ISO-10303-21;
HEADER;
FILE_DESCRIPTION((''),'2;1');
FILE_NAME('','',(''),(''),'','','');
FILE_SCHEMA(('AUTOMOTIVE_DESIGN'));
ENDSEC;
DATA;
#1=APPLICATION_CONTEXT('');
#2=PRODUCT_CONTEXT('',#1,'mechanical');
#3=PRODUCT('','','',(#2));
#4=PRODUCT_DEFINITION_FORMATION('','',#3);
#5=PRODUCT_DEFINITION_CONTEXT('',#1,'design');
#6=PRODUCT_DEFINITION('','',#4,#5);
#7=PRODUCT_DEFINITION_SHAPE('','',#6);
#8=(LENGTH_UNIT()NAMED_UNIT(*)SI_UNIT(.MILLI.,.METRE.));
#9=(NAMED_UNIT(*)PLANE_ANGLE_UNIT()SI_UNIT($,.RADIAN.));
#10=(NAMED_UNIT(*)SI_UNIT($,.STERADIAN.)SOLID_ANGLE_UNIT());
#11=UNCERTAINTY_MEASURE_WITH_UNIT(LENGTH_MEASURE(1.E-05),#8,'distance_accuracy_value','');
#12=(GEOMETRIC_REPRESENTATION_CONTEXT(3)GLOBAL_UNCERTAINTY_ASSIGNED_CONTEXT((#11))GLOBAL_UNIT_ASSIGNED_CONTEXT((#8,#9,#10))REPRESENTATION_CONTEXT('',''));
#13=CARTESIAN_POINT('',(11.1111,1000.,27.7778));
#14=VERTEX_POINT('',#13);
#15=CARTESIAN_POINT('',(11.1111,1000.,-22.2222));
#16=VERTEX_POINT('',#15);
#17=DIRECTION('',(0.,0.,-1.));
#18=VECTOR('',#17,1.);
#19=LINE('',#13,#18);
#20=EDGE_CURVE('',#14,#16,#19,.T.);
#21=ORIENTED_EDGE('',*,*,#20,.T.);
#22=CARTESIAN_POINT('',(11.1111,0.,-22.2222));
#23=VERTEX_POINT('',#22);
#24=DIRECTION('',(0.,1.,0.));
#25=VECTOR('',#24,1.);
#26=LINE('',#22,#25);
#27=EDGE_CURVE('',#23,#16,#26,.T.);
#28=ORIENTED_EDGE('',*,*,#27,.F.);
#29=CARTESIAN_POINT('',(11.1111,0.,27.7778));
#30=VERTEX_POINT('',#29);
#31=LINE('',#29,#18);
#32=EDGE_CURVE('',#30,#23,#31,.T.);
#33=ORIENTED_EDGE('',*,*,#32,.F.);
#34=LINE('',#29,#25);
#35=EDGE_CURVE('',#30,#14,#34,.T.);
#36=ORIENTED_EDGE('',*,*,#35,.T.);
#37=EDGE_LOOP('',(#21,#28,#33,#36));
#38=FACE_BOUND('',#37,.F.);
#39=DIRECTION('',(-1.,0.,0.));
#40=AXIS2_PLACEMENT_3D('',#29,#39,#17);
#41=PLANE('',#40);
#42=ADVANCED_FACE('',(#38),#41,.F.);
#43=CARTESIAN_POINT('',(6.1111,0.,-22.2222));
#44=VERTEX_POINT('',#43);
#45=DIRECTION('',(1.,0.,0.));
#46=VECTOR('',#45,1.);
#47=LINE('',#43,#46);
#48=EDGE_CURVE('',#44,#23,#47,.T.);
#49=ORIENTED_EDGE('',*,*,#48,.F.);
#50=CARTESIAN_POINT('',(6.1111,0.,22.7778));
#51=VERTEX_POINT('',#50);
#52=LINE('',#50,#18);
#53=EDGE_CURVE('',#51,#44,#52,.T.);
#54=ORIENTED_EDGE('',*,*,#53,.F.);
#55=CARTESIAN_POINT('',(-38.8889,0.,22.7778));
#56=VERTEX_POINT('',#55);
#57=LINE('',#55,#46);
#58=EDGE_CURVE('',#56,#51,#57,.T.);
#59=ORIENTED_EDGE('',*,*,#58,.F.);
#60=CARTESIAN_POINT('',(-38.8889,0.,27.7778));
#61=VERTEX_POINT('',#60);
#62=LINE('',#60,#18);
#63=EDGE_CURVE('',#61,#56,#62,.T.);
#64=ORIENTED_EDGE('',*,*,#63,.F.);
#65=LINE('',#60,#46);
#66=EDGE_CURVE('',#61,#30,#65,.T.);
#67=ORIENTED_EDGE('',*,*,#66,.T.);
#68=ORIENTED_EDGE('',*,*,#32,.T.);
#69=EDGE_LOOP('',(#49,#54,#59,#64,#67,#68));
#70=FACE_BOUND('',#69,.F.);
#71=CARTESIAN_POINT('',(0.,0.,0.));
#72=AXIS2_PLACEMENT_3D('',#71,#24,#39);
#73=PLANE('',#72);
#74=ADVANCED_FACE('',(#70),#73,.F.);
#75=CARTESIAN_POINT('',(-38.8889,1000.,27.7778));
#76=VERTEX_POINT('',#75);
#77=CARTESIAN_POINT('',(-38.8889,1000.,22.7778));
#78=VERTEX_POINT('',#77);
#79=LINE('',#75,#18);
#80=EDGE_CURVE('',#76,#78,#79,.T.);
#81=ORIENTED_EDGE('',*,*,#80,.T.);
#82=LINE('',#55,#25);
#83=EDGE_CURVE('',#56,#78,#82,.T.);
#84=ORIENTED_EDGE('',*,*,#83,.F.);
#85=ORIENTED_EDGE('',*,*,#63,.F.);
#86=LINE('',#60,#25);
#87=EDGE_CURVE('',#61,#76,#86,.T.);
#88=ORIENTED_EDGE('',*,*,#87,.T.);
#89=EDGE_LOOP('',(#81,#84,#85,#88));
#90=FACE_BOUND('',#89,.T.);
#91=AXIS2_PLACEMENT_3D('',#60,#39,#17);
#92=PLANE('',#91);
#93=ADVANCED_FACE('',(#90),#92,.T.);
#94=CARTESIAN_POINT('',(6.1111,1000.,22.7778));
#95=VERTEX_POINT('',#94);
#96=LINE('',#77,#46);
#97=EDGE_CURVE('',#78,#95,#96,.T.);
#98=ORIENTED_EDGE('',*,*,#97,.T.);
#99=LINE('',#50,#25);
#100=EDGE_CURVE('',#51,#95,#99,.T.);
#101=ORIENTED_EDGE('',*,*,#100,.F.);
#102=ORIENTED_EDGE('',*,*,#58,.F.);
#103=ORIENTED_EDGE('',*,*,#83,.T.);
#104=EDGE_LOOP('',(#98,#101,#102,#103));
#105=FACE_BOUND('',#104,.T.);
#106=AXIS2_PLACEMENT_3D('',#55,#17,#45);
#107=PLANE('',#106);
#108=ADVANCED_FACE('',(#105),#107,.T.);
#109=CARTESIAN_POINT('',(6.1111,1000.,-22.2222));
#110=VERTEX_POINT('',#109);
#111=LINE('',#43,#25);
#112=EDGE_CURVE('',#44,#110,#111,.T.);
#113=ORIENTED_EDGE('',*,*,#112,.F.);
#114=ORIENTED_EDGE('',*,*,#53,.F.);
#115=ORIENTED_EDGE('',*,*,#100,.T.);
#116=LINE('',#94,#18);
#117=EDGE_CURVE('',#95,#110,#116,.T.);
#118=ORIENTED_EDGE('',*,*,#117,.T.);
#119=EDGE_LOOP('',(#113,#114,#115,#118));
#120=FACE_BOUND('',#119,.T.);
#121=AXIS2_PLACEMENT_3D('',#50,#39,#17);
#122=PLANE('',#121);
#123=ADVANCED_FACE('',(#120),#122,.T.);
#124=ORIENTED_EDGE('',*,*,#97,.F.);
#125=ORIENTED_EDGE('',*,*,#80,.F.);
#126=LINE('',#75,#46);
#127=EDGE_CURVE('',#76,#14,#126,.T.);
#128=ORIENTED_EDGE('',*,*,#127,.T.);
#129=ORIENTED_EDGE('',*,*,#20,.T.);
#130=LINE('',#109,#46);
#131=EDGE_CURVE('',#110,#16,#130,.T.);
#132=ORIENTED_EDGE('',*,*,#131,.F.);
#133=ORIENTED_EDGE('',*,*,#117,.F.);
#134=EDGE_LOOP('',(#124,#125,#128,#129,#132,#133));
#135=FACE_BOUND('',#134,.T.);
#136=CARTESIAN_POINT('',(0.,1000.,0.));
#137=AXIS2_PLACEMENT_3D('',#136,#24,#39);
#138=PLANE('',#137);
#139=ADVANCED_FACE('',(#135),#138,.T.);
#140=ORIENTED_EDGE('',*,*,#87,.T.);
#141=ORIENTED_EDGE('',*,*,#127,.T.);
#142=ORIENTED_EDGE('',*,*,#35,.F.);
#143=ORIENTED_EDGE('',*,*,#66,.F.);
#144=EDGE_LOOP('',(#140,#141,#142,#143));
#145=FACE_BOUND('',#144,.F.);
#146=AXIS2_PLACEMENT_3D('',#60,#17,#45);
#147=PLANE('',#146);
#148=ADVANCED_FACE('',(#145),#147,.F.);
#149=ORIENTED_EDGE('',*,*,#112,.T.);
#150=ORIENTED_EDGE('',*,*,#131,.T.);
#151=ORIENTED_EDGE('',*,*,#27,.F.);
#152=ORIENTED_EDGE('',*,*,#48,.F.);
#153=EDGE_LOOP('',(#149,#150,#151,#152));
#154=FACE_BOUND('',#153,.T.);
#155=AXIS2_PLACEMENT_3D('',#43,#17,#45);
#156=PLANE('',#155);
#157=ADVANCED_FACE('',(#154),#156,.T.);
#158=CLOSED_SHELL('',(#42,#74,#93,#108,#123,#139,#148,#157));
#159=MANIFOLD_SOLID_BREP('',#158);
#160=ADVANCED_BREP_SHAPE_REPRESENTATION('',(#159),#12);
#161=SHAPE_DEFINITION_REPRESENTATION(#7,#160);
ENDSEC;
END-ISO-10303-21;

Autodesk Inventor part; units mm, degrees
ref_plane "YZ Plane" through (0, 0, 0) normal (1, 0, 0) x (0, 1, 0)
ref_plane "XZ Plane" through (0, 0, 0) normal (0, 1, 0) x (-1, 0, 0)
ref_plane "XY Plane" through (0, 0, 0) normal (0, 0, 1) x (1, 0, 0)
sketch "Sketch1" plane through (0, 0, 0) normal (0, 1, 0) x (-1, 0, 0)
  line L0 (38.8889, 27.7778) -> (-11.1111, 27.7778)
  line L1 (-11.1111, 27.7778) -> (-11.1111, -22.2222)
  line L2 (38.8889, 27.7778) -> (38.8889, 22.7778)
  line L3 (38.8889, 22.7778) -> (-6.1111, 22.7778)
  line L4 (-6.1111, 22.7778) -> (-6.1111, -22.2222)
  line L5 (-6.1111, -22.2222) -> (-11.1111, -22.2222)
  point P0 (0, 0)
  dimension "d0" = 50
  dimension "d1" = 50
  dimension "d2" = 5
  dimension "d3" = 5
extrude "Extrusion1" add sketch "Sketch1" along normal blind 1000
properties part number "Ugol800" material "Aluminum 6061"
